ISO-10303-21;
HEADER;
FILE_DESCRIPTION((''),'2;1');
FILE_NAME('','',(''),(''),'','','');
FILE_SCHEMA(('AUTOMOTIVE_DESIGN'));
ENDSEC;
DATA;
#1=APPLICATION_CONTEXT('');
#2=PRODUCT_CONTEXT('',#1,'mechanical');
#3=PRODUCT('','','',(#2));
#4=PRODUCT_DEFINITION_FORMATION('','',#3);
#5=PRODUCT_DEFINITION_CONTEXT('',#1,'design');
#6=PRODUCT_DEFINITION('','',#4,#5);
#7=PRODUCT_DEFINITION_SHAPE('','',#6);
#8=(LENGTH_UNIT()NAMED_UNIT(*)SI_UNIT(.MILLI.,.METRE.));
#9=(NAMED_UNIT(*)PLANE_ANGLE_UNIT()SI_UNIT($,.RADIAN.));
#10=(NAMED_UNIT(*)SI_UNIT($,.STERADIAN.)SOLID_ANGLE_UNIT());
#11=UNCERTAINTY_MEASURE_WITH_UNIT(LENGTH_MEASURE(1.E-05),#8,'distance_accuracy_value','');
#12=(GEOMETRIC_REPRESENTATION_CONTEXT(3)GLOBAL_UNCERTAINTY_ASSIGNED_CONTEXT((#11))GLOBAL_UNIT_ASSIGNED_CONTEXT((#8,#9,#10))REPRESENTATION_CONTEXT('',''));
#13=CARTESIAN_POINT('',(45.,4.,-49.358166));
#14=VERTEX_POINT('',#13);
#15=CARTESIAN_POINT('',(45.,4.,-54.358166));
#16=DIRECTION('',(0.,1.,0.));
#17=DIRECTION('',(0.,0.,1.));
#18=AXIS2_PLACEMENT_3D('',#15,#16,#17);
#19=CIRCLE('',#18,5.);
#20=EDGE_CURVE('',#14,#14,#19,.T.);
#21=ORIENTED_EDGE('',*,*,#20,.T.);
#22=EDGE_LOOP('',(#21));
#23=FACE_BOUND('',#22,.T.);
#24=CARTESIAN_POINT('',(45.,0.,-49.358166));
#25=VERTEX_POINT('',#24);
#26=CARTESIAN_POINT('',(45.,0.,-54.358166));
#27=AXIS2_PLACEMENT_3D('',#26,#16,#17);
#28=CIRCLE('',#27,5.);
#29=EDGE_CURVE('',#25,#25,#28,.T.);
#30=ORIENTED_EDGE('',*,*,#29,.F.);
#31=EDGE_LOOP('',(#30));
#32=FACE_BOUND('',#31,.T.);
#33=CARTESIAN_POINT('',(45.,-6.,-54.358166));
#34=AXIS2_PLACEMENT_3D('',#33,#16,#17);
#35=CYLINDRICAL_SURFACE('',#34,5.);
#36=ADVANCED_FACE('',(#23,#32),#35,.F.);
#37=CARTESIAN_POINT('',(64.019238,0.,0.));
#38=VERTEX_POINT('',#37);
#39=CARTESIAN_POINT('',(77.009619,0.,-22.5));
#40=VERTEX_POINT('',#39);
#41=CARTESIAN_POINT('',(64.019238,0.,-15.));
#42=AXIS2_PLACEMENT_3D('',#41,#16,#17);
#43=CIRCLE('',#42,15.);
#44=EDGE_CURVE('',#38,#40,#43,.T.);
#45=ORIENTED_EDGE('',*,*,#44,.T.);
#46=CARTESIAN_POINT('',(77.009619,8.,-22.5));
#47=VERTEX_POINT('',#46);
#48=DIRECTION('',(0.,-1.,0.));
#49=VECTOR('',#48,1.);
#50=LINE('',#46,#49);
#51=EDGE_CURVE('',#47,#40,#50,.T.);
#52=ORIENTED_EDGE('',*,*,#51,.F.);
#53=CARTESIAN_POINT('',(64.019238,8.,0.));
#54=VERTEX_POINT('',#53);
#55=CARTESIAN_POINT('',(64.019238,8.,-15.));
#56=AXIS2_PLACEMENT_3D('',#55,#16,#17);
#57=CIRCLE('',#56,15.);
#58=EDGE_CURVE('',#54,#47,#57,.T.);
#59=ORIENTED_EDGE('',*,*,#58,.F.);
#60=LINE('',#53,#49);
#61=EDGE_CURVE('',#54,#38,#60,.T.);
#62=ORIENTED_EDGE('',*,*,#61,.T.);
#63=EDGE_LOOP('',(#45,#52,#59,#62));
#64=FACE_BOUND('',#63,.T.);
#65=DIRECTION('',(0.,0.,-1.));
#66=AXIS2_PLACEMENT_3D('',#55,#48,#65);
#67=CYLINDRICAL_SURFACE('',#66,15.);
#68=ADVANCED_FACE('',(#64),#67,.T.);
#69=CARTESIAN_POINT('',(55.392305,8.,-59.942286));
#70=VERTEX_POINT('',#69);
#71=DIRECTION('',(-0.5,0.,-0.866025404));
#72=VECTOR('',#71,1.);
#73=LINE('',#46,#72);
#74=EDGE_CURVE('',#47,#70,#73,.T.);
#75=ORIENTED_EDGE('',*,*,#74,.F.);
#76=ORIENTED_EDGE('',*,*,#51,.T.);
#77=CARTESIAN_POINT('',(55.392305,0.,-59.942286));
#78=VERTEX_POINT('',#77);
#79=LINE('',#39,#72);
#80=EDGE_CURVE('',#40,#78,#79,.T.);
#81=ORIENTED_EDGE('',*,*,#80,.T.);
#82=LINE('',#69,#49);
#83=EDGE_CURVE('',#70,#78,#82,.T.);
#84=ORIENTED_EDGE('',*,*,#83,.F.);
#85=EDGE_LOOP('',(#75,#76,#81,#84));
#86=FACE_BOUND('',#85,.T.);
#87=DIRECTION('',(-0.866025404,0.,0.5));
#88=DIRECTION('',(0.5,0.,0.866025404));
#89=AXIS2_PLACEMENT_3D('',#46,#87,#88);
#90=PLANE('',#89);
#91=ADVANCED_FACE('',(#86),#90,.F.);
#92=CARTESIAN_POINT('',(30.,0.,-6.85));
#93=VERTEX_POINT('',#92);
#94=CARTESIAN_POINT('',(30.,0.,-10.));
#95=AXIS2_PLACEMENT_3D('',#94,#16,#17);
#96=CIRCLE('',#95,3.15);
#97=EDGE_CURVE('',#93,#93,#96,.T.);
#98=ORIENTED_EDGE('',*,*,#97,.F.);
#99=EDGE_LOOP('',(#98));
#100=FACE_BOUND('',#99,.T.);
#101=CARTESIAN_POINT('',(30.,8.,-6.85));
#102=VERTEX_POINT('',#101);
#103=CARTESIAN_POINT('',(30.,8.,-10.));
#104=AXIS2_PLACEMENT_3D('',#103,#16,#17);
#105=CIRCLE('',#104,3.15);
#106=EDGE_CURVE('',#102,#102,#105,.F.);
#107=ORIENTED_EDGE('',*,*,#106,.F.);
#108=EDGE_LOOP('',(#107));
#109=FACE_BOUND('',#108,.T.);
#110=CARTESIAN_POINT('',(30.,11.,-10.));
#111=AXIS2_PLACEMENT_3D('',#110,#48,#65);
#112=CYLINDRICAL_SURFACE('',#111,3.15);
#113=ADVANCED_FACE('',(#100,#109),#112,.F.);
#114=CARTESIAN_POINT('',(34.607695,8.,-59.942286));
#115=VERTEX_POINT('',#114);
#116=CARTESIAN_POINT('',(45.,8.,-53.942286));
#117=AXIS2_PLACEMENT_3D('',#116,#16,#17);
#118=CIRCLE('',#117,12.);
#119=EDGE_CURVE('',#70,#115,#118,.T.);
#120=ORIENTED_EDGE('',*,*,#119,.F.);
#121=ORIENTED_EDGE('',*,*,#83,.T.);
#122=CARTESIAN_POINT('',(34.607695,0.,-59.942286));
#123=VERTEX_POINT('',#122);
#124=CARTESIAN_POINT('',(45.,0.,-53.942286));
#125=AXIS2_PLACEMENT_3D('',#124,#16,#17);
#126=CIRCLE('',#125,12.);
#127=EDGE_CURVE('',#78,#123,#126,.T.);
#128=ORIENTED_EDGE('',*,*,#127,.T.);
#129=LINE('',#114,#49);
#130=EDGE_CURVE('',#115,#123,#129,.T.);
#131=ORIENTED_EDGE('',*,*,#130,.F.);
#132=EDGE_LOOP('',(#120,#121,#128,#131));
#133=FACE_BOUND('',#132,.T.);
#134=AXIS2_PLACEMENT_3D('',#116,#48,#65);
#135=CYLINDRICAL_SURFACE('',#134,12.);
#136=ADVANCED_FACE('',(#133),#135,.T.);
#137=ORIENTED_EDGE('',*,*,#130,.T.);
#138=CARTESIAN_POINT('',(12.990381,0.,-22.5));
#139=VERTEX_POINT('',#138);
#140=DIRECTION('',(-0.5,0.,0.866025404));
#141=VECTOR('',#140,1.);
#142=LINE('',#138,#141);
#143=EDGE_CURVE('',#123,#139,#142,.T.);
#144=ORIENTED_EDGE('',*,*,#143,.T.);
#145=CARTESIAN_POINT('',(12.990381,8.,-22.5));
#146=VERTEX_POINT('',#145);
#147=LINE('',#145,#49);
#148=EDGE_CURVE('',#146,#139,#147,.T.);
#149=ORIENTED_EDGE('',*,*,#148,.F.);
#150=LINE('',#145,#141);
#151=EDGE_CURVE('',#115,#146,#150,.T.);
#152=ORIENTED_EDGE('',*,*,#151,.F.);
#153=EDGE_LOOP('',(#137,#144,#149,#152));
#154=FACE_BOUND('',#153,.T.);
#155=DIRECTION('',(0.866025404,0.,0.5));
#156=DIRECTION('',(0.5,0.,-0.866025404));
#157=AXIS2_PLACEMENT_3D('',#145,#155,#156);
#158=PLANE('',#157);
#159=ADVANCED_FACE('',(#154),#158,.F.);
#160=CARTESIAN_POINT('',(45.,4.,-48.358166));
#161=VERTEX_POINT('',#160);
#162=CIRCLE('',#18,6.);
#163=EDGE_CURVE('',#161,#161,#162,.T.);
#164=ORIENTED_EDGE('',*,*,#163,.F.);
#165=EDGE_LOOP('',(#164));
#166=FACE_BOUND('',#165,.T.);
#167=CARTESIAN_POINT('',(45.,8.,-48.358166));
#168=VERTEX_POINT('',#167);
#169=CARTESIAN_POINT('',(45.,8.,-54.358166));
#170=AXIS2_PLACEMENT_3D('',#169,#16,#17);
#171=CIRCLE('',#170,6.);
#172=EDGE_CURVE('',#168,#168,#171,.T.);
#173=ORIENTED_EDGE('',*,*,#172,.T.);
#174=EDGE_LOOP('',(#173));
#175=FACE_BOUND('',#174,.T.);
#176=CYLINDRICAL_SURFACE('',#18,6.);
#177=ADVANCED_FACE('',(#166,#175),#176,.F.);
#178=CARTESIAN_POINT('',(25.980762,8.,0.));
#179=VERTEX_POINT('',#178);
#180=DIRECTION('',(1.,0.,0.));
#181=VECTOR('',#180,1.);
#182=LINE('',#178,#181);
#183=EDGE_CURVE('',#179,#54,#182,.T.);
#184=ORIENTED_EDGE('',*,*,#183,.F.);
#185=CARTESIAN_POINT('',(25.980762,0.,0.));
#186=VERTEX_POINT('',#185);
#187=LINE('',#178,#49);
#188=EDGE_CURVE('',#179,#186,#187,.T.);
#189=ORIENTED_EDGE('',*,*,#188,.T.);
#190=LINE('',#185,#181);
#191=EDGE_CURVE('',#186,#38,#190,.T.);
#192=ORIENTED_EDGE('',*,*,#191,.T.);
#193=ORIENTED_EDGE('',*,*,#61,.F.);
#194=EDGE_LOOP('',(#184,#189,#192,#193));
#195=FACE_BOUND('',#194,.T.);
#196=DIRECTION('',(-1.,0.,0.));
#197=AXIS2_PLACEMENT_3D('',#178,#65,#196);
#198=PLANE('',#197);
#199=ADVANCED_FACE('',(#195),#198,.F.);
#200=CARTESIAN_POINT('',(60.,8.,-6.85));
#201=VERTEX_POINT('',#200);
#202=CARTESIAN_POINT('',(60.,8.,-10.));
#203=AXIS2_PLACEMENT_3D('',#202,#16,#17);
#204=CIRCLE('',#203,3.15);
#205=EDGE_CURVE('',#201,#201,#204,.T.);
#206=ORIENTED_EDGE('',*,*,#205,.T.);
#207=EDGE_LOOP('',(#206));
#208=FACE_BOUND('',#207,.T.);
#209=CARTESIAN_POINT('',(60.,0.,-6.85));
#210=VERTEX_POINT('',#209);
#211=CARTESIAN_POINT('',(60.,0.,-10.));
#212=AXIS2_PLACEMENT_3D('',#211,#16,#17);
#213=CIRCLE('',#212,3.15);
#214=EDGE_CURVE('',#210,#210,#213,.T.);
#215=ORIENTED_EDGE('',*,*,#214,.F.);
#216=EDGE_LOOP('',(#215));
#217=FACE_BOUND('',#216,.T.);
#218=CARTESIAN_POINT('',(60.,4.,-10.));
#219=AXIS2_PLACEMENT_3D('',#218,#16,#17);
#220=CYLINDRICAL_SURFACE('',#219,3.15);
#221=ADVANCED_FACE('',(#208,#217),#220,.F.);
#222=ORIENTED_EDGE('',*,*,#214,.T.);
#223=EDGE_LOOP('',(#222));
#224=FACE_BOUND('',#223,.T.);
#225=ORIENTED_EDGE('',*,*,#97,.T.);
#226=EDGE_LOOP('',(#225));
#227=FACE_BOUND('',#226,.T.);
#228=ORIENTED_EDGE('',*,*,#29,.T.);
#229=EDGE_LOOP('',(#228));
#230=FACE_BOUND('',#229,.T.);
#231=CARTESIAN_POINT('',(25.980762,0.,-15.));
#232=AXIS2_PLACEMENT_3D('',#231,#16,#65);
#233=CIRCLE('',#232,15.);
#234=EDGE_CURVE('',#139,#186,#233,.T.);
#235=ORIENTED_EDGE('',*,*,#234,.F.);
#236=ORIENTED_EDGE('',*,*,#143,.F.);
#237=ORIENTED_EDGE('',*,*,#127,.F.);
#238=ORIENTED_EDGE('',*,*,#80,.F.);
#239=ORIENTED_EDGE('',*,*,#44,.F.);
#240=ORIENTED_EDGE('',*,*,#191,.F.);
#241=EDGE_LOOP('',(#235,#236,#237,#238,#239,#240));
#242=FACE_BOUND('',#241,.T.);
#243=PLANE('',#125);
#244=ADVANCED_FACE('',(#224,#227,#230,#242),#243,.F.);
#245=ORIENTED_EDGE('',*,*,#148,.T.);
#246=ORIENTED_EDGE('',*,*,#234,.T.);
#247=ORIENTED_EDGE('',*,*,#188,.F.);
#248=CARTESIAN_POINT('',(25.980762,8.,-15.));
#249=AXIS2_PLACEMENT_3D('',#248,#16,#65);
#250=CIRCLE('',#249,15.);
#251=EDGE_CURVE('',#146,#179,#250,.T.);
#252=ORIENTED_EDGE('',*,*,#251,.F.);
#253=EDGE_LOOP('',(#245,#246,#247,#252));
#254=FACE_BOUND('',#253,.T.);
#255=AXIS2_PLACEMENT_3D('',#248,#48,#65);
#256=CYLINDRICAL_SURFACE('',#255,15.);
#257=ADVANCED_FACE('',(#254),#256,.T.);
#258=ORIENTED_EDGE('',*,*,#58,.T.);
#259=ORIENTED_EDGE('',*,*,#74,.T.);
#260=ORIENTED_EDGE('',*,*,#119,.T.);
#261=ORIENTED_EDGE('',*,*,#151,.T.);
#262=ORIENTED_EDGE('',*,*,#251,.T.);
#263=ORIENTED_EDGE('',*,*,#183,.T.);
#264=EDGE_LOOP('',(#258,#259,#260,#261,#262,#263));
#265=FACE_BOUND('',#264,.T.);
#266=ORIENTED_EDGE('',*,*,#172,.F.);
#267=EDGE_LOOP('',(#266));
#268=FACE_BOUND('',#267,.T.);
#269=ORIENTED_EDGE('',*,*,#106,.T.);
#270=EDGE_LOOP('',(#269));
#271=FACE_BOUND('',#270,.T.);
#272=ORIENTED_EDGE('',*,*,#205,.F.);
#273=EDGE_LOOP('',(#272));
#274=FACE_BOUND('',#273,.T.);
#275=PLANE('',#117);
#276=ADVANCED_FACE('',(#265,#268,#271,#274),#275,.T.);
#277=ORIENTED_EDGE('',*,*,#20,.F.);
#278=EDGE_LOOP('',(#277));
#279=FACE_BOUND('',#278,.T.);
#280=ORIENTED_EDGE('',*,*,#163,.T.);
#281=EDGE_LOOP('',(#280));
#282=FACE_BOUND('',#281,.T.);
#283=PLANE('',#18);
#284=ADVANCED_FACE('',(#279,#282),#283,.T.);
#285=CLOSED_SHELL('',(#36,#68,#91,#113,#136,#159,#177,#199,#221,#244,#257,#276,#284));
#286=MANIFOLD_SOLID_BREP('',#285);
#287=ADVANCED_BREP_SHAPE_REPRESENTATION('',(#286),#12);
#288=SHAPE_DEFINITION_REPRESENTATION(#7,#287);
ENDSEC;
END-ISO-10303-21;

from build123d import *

# Parameters (mm, degrees)
BOSS_EXTRUDE1_DEPTH = 8
SKETCH2_R           = 6
SKETCH2_R_2         = 3
SKETCH2_R_3         = 3.15
CUT_EXTRUDE1_DEPTH  = 4
SKETCH3_R           = 5
CUT_EXTRUDE2_DEPTH  = 10
SKETCH4_R           = 3.15
CUT_EXTRUDE4_DEPTH  = 11


with BuildPart() as part:
    # Sketch1 → Boss-Extrude1 (new body)
    with BuildSketch(Plane(origin=(0, 0, 0), x_dir=(1, 0, 0), z_dir=(0, 1, 0))):
        with BuildLine():
            Line((12.990381057, 22.5), (34.607695155, 59.942286341))
            ThreePointArc((34.607695155, 59.942286341), (45, 65.942286341), (55.392304845, 59.942286341))
            Line((55.392304845, 59.942286341), (77.009618943, 22.5))
            ThreePointArc((77.009618943, 22.5), (77.009618943, 7.5), (64.019237886, 0))
            Line((64.019237886, 0), (25.980762114, 0))
            ThreePointArc((25.980762114, 0), (12.990381057, 7.5), (12.990381057, 22.5))
        make_face()
    extrude(amount=BOSS_EXTRUDE1_DEPTH)

    # Sketch2 → Cut-Extrude1 (cut)
    with BuildSketch(Plane(origin=(0, 8, 0), x_dir=(1, 0, 0), z_dir=(0, 1, 0))):
        with Locations((45, 54.358166274)):
            Circle(SKETCH2_R)
        with Locations((30, 10)):
            Circle(SKETCH2_R_2)
        with Locations((60, 10)):
            Circle(SKETCH2_R_3)
    extrude(amount=-CUT_EXTRUDE1_DEPTH, mode=Mode.SUBTRACT)

    # Sketch3 → Cut-Extrude2 (cut)
    with BuildSketch(Plane(origin=(0, 4, 0), x_dir=(1, 0, 0), z_dir=(0, 1, 0))):
        with Locations((45, 54.358166274)):
            Circle(SKETCH3_R)
    extrude(amount=-CUT_EXTRUDE2_DEPTH, mode=Mode.SUBTRACT)

    # Sketch4 → Cut-Extrude4 (cut)
    with BuildSketch(Plane(origin=(0, 0, 0), x_dir=(1, 0, 0), z_dir=(0, 1, 0))):
        with Locations((30, 10)):
            Circle(SKETCH4_R)
        with Locations((60, 10)):
            Circle(SKETCH4_R)
    extrude(amount=CUT_EXTRUDE4_DEPTH, mode=Mode.SUBTRACT)


solid = part.part
